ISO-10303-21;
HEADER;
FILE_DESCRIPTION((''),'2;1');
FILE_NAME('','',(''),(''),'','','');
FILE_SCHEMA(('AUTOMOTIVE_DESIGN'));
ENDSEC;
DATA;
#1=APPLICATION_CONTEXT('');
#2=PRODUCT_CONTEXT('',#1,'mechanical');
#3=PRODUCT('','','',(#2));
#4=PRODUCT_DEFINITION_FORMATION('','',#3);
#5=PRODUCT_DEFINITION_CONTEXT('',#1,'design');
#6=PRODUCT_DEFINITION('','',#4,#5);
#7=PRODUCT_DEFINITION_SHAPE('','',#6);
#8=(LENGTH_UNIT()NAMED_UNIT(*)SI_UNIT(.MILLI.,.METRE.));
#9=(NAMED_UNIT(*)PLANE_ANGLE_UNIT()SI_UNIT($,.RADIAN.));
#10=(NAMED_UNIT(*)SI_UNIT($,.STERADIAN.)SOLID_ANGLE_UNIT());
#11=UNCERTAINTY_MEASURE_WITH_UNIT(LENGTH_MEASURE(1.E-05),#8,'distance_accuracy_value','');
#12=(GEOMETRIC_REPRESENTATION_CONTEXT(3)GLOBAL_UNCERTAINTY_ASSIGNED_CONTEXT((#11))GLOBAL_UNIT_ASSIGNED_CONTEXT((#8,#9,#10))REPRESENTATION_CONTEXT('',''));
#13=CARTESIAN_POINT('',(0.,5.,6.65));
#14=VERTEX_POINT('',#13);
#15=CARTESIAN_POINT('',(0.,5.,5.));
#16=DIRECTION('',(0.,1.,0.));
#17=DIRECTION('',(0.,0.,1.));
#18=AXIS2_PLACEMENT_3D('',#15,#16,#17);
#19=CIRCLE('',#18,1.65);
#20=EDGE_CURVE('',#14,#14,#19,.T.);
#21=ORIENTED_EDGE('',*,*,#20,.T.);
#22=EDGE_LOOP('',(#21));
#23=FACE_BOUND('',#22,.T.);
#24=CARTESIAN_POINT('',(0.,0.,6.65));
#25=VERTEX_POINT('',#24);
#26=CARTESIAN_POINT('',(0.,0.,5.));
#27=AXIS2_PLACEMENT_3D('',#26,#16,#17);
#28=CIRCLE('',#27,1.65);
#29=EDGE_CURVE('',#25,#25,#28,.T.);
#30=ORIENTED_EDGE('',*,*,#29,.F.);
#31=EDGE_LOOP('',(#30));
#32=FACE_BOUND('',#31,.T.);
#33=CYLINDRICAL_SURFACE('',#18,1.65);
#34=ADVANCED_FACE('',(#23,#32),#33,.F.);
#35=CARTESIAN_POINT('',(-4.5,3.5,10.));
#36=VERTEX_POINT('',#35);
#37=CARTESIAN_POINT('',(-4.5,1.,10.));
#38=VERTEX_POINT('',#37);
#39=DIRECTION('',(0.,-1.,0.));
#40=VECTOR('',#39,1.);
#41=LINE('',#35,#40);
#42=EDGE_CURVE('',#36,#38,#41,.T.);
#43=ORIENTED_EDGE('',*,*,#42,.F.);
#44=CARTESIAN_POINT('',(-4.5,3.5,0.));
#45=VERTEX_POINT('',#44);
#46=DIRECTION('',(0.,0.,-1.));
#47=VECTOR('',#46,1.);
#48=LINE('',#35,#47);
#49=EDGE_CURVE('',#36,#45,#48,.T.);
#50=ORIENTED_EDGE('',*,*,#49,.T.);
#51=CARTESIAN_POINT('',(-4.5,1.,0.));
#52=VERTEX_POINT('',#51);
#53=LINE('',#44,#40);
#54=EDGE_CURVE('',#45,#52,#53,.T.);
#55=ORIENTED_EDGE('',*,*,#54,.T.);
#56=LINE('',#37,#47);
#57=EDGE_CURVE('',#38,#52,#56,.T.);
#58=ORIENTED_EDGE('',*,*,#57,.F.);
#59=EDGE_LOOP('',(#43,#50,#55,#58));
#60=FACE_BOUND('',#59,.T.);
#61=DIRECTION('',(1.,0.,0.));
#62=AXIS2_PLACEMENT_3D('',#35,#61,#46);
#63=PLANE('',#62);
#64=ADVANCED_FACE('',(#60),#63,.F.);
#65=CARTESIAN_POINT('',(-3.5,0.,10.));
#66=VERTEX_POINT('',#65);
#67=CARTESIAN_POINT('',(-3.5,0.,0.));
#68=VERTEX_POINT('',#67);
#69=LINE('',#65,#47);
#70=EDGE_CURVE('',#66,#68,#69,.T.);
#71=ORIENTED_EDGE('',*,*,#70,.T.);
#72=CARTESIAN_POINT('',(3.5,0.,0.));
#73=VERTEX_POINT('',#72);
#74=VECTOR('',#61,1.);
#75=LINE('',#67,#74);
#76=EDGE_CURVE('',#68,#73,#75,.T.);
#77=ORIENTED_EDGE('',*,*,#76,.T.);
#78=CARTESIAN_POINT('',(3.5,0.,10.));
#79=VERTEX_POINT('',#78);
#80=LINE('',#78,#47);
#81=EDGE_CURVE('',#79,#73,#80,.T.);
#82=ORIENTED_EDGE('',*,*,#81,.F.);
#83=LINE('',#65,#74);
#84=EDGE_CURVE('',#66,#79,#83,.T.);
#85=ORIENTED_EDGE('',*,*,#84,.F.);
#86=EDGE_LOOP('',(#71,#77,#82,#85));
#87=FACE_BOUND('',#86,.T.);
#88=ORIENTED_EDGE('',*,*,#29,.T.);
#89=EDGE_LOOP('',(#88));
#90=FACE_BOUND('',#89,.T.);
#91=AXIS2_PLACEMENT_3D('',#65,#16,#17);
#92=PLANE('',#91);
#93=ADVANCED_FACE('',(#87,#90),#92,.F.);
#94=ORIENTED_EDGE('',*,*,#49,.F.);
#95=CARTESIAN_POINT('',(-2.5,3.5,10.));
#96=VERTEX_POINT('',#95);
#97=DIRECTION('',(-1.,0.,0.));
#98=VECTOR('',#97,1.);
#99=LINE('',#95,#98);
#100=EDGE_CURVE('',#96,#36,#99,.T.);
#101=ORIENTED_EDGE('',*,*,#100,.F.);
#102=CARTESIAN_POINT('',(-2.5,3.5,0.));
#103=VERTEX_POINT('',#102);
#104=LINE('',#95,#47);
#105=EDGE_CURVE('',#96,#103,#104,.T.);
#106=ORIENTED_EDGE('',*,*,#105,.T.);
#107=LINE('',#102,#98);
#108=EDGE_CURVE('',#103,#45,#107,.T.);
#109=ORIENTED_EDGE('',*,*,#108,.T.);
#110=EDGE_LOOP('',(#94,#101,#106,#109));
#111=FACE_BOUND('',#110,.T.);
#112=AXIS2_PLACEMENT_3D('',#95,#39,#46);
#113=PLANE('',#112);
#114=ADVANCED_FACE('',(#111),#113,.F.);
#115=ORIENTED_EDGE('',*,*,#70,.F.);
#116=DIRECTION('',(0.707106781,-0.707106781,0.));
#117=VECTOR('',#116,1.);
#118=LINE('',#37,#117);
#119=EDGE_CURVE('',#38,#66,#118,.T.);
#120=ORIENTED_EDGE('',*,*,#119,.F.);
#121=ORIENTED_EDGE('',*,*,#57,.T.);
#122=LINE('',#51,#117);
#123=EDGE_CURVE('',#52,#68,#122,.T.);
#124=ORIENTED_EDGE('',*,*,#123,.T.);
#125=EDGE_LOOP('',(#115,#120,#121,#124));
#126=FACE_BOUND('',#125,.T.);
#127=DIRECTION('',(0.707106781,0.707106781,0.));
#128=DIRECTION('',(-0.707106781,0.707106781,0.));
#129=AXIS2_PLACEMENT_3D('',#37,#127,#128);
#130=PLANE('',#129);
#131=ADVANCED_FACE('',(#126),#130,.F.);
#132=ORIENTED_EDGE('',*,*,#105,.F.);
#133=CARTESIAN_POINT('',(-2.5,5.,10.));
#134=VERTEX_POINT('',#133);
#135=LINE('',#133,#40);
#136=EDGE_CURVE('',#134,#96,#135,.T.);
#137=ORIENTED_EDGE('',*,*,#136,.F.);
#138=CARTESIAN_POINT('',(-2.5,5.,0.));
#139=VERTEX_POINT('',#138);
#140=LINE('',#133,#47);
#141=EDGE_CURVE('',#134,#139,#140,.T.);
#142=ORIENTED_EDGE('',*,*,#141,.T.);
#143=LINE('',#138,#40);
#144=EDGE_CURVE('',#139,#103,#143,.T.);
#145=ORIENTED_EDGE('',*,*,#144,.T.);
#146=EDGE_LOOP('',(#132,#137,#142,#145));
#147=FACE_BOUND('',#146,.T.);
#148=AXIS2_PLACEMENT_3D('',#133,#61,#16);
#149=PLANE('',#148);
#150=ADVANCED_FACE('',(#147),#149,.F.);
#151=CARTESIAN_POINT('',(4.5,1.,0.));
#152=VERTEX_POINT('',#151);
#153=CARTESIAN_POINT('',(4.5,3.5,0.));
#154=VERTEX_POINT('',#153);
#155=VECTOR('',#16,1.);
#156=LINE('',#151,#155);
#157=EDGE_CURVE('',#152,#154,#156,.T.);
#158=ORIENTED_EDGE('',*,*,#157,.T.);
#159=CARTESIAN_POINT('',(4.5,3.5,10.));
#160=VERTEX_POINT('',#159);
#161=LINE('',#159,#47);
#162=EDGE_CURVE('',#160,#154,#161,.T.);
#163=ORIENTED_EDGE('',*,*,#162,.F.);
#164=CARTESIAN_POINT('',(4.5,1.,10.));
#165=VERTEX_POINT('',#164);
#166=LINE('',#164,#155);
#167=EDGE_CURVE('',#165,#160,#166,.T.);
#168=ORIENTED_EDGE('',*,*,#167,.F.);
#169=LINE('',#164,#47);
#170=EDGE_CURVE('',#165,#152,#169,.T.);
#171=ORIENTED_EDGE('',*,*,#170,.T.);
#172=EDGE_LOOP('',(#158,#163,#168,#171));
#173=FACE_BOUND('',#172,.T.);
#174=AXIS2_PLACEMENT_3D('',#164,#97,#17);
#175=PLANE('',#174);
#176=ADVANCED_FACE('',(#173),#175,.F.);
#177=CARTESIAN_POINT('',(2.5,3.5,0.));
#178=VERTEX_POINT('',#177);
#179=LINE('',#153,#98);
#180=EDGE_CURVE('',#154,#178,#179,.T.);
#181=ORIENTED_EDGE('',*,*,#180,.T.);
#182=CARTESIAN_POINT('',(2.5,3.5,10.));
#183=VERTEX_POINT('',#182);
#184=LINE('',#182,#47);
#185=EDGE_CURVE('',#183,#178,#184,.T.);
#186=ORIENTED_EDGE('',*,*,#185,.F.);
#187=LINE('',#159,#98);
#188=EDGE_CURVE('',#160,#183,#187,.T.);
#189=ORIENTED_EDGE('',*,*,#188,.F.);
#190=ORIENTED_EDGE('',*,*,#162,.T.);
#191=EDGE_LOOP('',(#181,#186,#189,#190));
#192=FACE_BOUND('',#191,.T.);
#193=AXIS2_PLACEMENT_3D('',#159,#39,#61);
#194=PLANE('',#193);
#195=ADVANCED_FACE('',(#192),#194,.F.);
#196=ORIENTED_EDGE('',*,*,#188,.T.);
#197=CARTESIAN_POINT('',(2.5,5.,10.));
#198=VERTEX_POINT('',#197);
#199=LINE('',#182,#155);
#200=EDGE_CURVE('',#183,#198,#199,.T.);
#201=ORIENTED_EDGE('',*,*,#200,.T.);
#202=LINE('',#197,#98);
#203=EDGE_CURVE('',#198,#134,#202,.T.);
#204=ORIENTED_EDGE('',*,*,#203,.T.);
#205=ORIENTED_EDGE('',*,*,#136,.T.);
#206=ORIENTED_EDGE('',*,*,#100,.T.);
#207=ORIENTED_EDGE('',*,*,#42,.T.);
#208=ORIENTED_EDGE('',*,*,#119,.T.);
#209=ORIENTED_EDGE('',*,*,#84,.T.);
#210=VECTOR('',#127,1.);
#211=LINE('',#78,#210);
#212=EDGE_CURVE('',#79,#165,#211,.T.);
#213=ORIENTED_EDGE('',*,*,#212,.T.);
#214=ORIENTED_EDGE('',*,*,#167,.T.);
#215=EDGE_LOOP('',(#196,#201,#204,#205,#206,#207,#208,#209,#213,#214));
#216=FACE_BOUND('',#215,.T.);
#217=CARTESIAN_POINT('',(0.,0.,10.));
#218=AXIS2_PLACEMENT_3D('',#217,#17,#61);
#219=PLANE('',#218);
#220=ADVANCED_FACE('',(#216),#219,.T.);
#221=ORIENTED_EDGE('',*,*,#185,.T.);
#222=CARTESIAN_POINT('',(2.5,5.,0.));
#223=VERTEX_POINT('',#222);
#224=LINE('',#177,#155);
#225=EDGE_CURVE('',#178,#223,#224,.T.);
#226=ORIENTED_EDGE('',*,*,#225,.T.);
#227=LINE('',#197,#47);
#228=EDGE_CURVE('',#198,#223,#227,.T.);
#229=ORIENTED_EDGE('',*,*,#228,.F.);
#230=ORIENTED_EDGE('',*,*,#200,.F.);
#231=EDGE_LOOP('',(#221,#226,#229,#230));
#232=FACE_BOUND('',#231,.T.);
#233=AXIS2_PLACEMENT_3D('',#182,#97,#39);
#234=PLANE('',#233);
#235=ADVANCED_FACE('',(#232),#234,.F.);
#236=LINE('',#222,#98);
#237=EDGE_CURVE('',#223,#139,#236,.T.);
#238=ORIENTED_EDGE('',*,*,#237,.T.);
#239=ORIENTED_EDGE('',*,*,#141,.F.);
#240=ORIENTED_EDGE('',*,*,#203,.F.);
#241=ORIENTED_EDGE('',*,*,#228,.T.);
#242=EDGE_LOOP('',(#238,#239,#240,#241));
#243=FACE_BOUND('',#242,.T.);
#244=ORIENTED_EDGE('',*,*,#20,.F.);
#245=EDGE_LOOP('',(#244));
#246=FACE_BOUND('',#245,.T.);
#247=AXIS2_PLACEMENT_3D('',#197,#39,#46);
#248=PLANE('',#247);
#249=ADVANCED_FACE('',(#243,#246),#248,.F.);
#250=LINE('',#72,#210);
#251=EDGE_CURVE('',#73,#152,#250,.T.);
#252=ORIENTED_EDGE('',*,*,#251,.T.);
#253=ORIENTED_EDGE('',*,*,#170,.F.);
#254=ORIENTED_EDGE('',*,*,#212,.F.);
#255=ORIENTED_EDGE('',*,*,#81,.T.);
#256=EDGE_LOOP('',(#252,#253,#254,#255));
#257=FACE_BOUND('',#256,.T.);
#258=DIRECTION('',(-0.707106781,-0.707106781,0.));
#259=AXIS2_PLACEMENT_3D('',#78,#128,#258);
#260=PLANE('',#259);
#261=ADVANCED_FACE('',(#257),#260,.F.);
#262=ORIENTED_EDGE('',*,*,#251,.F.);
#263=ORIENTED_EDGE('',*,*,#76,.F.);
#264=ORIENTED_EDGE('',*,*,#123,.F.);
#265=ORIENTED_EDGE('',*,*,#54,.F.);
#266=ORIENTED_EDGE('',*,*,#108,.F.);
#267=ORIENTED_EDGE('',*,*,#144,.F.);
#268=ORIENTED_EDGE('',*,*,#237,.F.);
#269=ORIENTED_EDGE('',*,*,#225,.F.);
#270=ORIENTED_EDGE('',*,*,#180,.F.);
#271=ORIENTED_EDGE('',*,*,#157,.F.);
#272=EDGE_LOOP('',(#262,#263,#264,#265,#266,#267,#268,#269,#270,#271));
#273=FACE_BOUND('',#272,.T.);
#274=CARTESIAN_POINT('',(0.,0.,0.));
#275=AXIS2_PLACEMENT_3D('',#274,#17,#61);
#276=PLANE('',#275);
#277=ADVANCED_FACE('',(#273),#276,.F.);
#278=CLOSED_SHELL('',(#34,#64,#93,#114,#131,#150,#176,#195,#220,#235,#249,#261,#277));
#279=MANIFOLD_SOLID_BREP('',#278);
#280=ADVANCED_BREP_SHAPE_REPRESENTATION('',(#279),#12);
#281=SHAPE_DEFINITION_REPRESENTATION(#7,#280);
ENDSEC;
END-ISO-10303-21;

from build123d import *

# Parameters (mm, degrees)
BOSS_EXTRUDE1_DEPTH   = 10
M4X0_7_TAPPED_HOLE1_D = 3.3


with BuildPart() as part:
    # Sketch1 → Boss-Extrude1 (new body)
    with BuildSketch(Plane.XY):
        Polygon((-3.5, 0), (3.5, 0), (4.5, 1), (4.5, 3.5), (2.5, 3.5), (2.5, 5), (-2.5, 5), (-2.5, 3.5), (-4.5, 3.5), (-4.5, 1), align=None)
    extrude(amount=BOSS_EXTRUDE1_DEPTH)

    # M4x0.7 Tapped Hole1 (through all)
    with Locations(Plane(origin=(0, 5, 0), x_dir=(1, 0, 0), z_dir=(0, 1, 0))):
        with Locations((0, -5)):
            Hole(M4X0_7_TAPPED_HOLE1_D / 2)


solid = part.part
